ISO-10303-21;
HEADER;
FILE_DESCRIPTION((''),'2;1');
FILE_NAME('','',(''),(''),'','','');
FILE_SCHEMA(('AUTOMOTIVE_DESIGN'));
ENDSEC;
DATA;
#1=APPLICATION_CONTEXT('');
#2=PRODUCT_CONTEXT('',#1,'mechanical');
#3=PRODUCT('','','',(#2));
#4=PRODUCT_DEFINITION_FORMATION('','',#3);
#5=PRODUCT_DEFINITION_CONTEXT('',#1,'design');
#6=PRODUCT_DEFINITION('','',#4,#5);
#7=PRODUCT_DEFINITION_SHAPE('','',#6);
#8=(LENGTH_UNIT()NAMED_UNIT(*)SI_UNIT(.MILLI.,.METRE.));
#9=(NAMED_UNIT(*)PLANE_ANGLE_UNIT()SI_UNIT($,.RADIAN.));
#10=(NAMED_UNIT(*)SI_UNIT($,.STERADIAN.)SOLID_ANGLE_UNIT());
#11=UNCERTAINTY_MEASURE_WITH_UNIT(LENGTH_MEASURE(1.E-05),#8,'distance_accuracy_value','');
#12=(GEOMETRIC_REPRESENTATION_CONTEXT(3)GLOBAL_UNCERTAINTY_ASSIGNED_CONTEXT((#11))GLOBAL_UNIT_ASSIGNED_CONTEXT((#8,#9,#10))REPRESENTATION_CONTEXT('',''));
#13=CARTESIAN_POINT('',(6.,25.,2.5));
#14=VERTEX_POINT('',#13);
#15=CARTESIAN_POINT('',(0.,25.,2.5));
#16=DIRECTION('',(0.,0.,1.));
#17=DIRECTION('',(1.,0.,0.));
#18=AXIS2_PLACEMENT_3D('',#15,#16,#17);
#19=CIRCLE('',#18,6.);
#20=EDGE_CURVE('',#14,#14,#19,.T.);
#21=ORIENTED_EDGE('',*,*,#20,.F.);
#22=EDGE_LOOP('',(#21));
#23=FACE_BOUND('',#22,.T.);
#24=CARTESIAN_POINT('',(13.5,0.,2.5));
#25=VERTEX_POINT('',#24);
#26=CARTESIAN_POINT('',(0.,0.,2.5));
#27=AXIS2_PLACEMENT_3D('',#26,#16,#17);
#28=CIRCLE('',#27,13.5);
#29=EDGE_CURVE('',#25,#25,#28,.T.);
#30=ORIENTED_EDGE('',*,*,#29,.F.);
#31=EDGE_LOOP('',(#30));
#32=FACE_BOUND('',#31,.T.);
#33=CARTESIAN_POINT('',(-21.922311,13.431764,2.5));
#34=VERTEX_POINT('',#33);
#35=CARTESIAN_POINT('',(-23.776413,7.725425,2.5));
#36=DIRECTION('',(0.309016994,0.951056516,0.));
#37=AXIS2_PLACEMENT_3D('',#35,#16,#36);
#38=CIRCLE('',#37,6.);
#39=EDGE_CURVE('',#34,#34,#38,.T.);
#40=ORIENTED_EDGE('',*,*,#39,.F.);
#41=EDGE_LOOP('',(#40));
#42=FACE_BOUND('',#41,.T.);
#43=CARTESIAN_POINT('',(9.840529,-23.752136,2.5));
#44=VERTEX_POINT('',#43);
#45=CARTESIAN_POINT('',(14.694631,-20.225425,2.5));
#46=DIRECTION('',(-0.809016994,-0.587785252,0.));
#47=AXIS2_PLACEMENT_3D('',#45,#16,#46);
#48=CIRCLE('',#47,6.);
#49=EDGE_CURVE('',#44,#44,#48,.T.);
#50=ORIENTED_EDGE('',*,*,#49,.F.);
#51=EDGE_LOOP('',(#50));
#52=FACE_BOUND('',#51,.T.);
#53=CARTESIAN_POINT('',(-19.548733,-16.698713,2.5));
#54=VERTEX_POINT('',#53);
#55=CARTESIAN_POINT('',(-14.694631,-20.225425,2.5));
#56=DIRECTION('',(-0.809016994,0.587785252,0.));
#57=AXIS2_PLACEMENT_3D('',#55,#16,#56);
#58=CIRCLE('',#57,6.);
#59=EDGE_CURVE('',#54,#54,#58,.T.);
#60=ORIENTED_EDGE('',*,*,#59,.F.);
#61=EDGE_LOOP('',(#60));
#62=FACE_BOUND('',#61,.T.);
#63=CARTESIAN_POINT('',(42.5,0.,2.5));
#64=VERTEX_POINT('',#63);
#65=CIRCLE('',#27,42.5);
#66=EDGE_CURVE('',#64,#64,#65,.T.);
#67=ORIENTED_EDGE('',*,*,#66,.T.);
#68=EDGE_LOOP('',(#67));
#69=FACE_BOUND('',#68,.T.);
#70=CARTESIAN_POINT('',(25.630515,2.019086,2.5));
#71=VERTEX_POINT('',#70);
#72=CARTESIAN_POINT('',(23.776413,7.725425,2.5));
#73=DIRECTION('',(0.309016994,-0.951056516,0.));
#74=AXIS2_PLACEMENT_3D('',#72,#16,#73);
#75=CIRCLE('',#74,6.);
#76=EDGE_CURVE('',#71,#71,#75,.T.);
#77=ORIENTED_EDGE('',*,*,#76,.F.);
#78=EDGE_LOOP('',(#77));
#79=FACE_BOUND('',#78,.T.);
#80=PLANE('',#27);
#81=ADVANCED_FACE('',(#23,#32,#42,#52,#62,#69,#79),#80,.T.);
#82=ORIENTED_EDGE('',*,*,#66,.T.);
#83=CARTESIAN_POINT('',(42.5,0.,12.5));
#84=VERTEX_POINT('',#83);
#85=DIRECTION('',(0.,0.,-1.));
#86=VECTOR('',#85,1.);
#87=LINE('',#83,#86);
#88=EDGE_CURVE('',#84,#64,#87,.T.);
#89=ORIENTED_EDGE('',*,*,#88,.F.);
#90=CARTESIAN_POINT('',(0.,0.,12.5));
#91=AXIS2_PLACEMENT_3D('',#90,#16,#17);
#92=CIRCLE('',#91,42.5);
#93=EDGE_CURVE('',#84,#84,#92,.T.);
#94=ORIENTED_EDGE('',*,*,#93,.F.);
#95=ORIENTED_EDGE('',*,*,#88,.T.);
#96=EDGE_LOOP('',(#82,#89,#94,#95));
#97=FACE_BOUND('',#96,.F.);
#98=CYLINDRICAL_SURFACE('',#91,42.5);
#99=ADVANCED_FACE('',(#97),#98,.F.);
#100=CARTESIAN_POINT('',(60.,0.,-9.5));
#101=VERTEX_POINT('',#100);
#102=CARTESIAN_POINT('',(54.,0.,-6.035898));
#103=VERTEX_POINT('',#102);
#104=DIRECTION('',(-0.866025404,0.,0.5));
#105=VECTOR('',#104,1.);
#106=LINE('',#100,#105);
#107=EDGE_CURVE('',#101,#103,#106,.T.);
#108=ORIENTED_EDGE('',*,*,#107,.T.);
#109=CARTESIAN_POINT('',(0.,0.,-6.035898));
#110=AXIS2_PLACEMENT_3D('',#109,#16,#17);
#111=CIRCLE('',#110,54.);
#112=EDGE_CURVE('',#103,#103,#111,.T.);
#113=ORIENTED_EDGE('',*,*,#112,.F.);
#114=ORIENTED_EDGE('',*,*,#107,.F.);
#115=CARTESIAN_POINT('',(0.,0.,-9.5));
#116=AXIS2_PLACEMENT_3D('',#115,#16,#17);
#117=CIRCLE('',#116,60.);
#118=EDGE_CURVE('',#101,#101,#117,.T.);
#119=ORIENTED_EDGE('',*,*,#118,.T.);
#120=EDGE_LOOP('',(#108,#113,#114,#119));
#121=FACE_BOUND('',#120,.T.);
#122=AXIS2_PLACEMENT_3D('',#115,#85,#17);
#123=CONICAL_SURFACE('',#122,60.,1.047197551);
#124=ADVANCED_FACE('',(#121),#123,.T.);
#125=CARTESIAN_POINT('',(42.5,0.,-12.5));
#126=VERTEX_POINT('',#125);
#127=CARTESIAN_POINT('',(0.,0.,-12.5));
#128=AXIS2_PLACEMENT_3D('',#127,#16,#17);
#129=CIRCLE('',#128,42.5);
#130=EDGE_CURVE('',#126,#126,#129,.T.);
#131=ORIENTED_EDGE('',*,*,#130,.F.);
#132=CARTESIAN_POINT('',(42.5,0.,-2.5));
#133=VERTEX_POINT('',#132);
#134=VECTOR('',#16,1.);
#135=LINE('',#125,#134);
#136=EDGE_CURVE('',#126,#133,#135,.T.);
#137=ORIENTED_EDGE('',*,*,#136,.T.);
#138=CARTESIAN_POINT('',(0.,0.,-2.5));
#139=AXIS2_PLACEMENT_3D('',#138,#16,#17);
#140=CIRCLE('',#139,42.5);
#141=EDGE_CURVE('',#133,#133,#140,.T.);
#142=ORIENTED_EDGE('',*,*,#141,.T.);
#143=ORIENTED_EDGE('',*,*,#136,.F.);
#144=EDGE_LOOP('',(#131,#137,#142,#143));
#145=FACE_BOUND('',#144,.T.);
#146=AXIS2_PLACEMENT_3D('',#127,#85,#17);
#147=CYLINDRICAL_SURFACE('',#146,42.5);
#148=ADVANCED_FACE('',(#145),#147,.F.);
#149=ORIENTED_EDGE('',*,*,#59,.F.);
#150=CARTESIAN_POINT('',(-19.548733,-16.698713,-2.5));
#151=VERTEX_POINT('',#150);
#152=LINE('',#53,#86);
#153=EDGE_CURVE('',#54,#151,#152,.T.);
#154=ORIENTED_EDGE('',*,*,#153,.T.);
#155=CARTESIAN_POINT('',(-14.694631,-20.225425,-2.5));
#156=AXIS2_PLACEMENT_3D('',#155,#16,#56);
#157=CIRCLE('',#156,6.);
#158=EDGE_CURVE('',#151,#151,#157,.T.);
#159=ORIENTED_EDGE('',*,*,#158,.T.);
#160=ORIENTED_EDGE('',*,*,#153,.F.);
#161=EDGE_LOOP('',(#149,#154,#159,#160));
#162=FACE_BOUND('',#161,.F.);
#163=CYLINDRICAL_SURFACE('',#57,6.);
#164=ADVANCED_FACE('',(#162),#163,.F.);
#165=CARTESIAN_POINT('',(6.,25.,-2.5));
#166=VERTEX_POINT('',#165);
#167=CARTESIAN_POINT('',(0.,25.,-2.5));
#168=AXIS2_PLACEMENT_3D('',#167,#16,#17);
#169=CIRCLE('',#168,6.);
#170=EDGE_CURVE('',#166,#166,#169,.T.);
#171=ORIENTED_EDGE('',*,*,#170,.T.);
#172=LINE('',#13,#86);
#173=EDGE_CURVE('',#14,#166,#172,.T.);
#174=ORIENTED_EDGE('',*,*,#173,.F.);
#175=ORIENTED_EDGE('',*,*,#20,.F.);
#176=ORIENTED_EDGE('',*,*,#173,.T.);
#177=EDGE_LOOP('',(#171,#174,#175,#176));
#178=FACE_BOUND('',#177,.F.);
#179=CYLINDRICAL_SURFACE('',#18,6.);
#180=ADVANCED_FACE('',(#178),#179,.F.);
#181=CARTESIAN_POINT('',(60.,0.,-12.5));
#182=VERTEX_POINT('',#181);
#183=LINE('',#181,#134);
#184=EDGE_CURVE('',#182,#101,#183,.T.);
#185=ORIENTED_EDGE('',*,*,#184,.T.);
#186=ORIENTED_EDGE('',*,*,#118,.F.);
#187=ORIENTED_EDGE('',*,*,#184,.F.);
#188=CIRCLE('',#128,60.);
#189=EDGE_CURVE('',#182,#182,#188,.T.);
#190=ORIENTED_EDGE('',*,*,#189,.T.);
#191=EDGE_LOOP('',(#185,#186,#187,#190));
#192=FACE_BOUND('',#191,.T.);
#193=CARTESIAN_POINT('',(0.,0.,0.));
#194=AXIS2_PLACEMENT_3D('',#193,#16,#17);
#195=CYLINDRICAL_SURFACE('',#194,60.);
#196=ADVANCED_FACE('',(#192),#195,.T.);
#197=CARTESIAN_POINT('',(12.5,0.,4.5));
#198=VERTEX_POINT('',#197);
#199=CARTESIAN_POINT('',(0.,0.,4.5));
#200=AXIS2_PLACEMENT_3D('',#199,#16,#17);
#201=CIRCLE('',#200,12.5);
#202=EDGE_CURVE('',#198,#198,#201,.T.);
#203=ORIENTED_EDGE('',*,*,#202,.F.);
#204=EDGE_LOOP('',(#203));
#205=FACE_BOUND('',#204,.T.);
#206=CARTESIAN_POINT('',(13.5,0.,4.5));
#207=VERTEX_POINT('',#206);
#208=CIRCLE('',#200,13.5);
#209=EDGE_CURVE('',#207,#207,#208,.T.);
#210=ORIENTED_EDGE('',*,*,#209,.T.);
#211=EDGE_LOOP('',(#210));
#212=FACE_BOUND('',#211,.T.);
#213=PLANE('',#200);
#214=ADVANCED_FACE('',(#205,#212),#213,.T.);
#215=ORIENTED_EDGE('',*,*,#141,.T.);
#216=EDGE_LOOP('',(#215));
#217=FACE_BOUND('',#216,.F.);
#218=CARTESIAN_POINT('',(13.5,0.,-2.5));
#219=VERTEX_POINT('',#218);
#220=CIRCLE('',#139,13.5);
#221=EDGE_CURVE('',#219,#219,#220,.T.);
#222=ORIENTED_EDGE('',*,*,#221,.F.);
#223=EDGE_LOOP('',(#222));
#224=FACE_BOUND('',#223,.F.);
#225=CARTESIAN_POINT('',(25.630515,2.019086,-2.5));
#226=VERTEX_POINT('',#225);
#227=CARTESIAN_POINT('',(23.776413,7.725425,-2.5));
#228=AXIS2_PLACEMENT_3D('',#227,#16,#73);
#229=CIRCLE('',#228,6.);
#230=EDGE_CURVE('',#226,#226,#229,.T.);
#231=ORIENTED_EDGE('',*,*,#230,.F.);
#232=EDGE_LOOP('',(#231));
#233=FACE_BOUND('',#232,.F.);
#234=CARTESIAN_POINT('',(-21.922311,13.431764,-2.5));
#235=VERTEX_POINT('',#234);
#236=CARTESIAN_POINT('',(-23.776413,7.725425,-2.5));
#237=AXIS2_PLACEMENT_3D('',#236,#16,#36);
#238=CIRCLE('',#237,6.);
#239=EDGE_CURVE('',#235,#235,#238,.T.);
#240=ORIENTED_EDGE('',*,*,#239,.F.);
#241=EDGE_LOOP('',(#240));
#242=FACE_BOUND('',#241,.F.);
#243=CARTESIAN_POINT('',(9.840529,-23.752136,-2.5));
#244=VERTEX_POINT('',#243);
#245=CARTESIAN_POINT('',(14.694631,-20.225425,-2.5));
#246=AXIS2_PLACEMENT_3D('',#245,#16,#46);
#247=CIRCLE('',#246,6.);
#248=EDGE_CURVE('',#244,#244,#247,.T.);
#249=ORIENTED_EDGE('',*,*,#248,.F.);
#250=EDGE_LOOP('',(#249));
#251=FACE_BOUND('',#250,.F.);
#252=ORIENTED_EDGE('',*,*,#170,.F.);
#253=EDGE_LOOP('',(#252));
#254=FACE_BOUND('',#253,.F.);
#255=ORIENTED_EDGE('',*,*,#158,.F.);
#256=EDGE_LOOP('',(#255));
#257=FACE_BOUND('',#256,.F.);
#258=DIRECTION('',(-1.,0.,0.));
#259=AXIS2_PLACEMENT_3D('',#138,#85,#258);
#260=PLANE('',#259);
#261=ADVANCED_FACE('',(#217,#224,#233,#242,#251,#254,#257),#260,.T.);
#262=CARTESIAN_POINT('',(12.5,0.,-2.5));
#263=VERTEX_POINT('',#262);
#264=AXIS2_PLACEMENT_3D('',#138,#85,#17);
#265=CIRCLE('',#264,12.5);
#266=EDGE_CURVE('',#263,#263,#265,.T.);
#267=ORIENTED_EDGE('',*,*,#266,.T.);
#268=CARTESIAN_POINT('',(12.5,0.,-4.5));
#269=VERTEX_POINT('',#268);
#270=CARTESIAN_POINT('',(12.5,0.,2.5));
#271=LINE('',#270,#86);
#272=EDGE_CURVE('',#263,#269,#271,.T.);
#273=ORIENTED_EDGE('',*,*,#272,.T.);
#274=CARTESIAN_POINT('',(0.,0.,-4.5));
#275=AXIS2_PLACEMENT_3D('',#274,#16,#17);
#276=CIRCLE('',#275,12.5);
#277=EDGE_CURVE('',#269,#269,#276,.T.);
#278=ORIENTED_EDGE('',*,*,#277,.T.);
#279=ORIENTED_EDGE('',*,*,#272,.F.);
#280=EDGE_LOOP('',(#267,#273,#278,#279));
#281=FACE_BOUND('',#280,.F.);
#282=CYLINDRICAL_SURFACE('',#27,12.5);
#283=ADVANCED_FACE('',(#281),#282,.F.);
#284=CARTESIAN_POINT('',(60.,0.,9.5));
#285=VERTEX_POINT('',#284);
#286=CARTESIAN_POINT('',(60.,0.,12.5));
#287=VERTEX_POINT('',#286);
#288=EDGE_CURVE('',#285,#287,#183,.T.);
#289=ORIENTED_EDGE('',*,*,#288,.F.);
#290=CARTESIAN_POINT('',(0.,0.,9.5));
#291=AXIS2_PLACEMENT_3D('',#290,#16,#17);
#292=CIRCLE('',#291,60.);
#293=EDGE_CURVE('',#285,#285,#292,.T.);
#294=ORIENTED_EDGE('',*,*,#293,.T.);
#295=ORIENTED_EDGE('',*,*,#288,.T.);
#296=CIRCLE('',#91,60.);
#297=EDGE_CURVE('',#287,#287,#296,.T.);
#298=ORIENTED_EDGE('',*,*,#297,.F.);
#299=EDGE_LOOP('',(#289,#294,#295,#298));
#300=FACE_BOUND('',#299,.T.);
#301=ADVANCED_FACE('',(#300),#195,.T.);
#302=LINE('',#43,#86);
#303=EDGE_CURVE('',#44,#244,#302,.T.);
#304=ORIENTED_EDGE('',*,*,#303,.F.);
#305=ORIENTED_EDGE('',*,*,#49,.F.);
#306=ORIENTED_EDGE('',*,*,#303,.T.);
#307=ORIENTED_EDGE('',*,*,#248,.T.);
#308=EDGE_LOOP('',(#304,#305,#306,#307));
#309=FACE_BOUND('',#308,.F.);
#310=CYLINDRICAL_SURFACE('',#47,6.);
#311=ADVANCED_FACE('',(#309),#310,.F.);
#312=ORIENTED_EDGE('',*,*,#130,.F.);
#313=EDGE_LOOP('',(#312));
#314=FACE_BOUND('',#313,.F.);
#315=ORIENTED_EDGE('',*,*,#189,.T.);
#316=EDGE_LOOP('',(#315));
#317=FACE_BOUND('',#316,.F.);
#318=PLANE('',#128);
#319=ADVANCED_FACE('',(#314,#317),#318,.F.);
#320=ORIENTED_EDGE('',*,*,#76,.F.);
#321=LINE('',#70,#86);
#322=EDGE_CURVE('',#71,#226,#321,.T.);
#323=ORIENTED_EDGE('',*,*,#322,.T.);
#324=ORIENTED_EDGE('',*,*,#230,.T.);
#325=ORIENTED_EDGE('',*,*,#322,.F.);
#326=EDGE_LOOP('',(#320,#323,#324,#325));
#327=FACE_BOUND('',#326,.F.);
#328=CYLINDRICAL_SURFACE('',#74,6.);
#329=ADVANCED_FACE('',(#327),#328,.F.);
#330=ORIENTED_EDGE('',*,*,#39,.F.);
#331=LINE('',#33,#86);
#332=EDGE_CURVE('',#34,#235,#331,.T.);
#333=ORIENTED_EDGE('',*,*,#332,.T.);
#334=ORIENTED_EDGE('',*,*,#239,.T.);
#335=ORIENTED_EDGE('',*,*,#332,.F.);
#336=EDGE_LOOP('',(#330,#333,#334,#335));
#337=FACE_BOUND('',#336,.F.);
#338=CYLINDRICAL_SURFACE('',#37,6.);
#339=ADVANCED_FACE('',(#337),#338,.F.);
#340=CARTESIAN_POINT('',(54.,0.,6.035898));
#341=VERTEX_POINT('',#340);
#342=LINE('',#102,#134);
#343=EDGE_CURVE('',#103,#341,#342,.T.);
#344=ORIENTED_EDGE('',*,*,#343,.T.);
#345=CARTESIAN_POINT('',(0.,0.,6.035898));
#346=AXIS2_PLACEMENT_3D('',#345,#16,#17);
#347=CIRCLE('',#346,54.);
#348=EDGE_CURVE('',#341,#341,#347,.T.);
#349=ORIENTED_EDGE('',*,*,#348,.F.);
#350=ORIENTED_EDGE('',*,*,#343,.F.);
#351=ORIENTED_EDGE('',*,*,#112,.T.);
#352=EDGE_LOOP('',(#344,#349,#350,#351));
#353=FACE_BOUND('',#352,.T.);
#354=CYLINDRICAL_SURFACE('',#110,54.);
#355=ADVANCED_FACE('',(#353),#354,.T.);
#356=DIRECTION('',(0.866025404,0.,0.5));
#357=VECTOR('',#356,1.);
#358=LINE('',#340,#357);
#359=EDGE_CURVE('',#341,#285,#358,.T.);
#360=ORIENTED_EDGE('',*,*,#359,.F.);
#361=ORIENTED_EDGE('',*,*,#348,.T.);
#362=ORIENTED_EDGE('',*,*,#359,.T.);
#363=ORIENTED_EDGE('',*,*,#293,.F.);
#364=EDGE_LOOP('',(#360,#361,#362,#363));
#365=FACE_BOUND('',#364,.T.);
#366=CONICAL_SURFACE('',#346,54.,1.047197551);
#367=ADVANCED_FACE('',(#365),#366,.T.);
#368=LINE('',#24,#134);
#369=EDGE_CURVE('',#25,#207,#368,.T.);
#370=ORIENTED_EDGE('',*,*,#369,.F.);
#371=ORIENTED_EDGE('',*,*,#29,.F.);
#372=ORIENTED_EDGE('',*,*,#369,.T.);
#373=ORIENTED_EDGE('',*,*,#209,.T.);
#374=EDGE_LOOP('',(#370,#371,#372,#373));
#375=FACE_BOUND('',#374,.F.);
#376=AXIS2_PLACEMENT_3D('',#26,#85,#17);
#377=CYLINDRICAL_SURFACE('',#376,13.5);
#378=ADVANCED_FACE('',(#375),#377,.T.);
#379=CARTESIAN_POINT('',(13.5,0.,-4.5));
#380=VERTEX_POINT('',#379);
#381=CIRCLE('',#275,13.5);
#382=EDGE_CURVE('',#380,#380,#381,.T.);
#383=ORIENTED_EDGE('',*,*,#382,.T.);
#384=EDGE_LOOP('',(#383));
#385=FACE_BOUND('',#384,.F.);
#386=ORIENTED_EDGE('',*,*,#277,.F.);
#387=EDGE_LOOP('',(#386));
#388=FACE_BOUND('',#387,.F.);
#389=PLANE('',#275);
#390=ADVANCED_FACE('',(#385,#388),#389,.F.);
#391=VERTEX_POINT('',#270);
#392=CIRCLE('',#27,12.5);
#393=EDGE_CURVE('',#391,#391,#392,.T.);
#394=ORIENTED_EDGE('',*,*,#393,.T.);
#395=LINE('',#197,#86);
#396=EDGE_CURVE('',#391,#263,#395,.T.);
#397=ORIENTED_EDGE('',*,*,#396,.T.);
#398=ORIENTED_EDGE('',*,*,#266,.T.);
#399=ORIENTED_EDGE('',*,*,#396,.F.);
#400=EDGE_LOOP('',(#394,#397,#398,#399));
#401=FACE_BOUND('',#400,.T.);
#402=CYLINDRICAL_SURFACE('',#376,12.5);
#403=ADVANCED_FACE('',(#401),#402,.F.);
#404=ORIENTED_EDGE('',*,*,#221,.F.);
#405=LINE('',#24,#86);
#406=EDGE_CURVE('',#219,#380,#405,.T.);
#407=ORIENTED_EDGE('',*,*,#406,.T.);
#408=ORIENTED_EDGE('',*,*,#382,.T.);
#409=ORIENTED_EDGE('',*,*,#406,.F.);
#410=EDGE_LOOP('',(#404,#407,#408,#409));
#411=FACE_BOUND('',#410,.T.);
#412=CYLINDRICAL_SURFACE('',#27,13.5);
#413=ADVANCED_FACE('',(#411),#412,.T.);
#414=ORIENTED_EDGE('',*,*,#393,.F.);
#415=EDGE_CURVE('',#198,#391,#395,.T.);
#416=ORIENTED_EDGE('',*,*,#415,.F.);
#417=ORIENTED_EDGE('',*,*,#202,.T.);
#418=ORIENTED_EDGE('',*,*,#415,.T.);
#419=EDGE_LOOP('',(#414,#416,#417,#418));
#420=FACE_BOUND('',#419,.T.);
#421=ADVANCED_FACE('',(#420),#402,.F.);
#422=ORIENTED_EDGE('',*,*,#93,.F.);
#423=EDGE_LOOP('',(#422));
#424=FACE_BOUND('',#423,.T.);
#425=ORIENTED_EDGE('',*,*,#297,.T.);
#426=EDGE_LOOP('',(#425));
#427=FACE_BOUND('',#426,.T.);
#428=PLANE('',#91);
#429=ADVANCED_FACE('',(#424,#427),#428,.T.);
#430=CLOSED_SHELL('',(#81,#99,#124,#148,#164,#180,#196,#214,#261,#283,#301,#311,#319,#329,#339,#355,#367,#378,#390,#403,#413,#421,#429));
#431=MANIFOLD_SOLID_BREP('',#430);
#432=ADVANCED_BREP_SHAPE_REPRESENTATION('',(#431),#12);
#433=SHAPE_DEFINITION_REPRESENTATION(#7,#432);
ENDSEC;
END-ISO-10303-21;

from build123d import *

# Parameters (mm, degrees)
SKETCH1_R                = 60
SKETCH1_R_2              = 12.5
BOSS_EXTRUDE1_DEPTH      = 12.5
SKETCH2_R                = 42.5
CUT_EXTRUDE1_DEPTH       = 10
SKETCH3_R                = 6
CUT_EXTRUDE2_DEPTH       = 16
CIRPATTERN1_COUNT        = 5
SKETCH5_R                = 13.5
SKETCH5_R_2              = 12.5
BOSS_EXTRUDE2_DEPTH      = 2
BOSS_EXTRUDE2_DEPTH_BACK = 7


with BuildPart() as part:
    # Sketch1 → Boss-Extrude1 (new body, symmetric)
    with BuildSketch(Plane.XY):
        Circle(SKETCH1_R)
        Circle(SKETCH1_R_2, mode=Mode.SUBTRACT)
    extrude(amount=BOSS_EXTRUDE1_DEPTH, both=True)

    # Sketch2 → Cut-Extrude1 (cut)
    with BuildSketch(Plane.XY.offset(12.5)):
        Circle(SKETCH2_R)
    cut_extrude1 = extrude(amount=-CUT_EXTRUDE1_DEPTH, mode=Mode.SUBTRACT)

    # Mirror1: Cut-Extrude1 across plane
    add(cut_extrude1.mirror(Plane.XY), mode=Mode.SUBTRACT)

    # Sketch3 → Cut-Extrude2 (cut, through all)
    with BuildSketch(Plane.XY.offset(2.5)):
        with Locations((0, 25)):
            Circle(SKETCH3_R)
    cut_extrude2 = extrude(amount=-CUT_EXTRUDE2_DEPTH, mode=Mode.SUBTRACT)

    # CirPattern1: Cut-Extrude2 ×5 about axis
    cirpattern1_axis = Axis((0, 0, 0), (0, 0, 1))
    for i in range(1, CIRPATTERN1_COUNT):
        add(cut_extrude2.rotate(cirpattern1_axis, i * 360 / CIRPATTERN1_COUNT), mode=Mode.SUBTRACT)

    # Sketch4 → Cut-Revolve1 (revolve, cut)
    with BuildSketch(Plane(origin=(0, 0, 0), x_dir=(1, 0, 0), z_dir=(0, 1, 0))):
        Polygon((60, 9.5), (54, 6.035898385), (54, -6.035898385), (60, -9.5), align=None)
    revolve(axis=Axis((0, 0, -27.814939566), (0, 0, 1)), mode=Mode.SUBTRACT)

    # Sketch5 → Boss-Extrude2 (add, two sides)
    with BuildSketch(Plane.XY.offset(2.5)) as boss_extrude2_sk:
        Circle(SKETCH5_R)
        Circle(SKETCH5_R_2, mode=Mode.SUBTRACT)
    extrude(amount=BOSS_EXTRUDE2_DEPTH)
    extrude(boss_extrude2_sk.sketch, amount=-BOSS_EXTRUDE2_DEPTH_BACK)


solid = part.part
